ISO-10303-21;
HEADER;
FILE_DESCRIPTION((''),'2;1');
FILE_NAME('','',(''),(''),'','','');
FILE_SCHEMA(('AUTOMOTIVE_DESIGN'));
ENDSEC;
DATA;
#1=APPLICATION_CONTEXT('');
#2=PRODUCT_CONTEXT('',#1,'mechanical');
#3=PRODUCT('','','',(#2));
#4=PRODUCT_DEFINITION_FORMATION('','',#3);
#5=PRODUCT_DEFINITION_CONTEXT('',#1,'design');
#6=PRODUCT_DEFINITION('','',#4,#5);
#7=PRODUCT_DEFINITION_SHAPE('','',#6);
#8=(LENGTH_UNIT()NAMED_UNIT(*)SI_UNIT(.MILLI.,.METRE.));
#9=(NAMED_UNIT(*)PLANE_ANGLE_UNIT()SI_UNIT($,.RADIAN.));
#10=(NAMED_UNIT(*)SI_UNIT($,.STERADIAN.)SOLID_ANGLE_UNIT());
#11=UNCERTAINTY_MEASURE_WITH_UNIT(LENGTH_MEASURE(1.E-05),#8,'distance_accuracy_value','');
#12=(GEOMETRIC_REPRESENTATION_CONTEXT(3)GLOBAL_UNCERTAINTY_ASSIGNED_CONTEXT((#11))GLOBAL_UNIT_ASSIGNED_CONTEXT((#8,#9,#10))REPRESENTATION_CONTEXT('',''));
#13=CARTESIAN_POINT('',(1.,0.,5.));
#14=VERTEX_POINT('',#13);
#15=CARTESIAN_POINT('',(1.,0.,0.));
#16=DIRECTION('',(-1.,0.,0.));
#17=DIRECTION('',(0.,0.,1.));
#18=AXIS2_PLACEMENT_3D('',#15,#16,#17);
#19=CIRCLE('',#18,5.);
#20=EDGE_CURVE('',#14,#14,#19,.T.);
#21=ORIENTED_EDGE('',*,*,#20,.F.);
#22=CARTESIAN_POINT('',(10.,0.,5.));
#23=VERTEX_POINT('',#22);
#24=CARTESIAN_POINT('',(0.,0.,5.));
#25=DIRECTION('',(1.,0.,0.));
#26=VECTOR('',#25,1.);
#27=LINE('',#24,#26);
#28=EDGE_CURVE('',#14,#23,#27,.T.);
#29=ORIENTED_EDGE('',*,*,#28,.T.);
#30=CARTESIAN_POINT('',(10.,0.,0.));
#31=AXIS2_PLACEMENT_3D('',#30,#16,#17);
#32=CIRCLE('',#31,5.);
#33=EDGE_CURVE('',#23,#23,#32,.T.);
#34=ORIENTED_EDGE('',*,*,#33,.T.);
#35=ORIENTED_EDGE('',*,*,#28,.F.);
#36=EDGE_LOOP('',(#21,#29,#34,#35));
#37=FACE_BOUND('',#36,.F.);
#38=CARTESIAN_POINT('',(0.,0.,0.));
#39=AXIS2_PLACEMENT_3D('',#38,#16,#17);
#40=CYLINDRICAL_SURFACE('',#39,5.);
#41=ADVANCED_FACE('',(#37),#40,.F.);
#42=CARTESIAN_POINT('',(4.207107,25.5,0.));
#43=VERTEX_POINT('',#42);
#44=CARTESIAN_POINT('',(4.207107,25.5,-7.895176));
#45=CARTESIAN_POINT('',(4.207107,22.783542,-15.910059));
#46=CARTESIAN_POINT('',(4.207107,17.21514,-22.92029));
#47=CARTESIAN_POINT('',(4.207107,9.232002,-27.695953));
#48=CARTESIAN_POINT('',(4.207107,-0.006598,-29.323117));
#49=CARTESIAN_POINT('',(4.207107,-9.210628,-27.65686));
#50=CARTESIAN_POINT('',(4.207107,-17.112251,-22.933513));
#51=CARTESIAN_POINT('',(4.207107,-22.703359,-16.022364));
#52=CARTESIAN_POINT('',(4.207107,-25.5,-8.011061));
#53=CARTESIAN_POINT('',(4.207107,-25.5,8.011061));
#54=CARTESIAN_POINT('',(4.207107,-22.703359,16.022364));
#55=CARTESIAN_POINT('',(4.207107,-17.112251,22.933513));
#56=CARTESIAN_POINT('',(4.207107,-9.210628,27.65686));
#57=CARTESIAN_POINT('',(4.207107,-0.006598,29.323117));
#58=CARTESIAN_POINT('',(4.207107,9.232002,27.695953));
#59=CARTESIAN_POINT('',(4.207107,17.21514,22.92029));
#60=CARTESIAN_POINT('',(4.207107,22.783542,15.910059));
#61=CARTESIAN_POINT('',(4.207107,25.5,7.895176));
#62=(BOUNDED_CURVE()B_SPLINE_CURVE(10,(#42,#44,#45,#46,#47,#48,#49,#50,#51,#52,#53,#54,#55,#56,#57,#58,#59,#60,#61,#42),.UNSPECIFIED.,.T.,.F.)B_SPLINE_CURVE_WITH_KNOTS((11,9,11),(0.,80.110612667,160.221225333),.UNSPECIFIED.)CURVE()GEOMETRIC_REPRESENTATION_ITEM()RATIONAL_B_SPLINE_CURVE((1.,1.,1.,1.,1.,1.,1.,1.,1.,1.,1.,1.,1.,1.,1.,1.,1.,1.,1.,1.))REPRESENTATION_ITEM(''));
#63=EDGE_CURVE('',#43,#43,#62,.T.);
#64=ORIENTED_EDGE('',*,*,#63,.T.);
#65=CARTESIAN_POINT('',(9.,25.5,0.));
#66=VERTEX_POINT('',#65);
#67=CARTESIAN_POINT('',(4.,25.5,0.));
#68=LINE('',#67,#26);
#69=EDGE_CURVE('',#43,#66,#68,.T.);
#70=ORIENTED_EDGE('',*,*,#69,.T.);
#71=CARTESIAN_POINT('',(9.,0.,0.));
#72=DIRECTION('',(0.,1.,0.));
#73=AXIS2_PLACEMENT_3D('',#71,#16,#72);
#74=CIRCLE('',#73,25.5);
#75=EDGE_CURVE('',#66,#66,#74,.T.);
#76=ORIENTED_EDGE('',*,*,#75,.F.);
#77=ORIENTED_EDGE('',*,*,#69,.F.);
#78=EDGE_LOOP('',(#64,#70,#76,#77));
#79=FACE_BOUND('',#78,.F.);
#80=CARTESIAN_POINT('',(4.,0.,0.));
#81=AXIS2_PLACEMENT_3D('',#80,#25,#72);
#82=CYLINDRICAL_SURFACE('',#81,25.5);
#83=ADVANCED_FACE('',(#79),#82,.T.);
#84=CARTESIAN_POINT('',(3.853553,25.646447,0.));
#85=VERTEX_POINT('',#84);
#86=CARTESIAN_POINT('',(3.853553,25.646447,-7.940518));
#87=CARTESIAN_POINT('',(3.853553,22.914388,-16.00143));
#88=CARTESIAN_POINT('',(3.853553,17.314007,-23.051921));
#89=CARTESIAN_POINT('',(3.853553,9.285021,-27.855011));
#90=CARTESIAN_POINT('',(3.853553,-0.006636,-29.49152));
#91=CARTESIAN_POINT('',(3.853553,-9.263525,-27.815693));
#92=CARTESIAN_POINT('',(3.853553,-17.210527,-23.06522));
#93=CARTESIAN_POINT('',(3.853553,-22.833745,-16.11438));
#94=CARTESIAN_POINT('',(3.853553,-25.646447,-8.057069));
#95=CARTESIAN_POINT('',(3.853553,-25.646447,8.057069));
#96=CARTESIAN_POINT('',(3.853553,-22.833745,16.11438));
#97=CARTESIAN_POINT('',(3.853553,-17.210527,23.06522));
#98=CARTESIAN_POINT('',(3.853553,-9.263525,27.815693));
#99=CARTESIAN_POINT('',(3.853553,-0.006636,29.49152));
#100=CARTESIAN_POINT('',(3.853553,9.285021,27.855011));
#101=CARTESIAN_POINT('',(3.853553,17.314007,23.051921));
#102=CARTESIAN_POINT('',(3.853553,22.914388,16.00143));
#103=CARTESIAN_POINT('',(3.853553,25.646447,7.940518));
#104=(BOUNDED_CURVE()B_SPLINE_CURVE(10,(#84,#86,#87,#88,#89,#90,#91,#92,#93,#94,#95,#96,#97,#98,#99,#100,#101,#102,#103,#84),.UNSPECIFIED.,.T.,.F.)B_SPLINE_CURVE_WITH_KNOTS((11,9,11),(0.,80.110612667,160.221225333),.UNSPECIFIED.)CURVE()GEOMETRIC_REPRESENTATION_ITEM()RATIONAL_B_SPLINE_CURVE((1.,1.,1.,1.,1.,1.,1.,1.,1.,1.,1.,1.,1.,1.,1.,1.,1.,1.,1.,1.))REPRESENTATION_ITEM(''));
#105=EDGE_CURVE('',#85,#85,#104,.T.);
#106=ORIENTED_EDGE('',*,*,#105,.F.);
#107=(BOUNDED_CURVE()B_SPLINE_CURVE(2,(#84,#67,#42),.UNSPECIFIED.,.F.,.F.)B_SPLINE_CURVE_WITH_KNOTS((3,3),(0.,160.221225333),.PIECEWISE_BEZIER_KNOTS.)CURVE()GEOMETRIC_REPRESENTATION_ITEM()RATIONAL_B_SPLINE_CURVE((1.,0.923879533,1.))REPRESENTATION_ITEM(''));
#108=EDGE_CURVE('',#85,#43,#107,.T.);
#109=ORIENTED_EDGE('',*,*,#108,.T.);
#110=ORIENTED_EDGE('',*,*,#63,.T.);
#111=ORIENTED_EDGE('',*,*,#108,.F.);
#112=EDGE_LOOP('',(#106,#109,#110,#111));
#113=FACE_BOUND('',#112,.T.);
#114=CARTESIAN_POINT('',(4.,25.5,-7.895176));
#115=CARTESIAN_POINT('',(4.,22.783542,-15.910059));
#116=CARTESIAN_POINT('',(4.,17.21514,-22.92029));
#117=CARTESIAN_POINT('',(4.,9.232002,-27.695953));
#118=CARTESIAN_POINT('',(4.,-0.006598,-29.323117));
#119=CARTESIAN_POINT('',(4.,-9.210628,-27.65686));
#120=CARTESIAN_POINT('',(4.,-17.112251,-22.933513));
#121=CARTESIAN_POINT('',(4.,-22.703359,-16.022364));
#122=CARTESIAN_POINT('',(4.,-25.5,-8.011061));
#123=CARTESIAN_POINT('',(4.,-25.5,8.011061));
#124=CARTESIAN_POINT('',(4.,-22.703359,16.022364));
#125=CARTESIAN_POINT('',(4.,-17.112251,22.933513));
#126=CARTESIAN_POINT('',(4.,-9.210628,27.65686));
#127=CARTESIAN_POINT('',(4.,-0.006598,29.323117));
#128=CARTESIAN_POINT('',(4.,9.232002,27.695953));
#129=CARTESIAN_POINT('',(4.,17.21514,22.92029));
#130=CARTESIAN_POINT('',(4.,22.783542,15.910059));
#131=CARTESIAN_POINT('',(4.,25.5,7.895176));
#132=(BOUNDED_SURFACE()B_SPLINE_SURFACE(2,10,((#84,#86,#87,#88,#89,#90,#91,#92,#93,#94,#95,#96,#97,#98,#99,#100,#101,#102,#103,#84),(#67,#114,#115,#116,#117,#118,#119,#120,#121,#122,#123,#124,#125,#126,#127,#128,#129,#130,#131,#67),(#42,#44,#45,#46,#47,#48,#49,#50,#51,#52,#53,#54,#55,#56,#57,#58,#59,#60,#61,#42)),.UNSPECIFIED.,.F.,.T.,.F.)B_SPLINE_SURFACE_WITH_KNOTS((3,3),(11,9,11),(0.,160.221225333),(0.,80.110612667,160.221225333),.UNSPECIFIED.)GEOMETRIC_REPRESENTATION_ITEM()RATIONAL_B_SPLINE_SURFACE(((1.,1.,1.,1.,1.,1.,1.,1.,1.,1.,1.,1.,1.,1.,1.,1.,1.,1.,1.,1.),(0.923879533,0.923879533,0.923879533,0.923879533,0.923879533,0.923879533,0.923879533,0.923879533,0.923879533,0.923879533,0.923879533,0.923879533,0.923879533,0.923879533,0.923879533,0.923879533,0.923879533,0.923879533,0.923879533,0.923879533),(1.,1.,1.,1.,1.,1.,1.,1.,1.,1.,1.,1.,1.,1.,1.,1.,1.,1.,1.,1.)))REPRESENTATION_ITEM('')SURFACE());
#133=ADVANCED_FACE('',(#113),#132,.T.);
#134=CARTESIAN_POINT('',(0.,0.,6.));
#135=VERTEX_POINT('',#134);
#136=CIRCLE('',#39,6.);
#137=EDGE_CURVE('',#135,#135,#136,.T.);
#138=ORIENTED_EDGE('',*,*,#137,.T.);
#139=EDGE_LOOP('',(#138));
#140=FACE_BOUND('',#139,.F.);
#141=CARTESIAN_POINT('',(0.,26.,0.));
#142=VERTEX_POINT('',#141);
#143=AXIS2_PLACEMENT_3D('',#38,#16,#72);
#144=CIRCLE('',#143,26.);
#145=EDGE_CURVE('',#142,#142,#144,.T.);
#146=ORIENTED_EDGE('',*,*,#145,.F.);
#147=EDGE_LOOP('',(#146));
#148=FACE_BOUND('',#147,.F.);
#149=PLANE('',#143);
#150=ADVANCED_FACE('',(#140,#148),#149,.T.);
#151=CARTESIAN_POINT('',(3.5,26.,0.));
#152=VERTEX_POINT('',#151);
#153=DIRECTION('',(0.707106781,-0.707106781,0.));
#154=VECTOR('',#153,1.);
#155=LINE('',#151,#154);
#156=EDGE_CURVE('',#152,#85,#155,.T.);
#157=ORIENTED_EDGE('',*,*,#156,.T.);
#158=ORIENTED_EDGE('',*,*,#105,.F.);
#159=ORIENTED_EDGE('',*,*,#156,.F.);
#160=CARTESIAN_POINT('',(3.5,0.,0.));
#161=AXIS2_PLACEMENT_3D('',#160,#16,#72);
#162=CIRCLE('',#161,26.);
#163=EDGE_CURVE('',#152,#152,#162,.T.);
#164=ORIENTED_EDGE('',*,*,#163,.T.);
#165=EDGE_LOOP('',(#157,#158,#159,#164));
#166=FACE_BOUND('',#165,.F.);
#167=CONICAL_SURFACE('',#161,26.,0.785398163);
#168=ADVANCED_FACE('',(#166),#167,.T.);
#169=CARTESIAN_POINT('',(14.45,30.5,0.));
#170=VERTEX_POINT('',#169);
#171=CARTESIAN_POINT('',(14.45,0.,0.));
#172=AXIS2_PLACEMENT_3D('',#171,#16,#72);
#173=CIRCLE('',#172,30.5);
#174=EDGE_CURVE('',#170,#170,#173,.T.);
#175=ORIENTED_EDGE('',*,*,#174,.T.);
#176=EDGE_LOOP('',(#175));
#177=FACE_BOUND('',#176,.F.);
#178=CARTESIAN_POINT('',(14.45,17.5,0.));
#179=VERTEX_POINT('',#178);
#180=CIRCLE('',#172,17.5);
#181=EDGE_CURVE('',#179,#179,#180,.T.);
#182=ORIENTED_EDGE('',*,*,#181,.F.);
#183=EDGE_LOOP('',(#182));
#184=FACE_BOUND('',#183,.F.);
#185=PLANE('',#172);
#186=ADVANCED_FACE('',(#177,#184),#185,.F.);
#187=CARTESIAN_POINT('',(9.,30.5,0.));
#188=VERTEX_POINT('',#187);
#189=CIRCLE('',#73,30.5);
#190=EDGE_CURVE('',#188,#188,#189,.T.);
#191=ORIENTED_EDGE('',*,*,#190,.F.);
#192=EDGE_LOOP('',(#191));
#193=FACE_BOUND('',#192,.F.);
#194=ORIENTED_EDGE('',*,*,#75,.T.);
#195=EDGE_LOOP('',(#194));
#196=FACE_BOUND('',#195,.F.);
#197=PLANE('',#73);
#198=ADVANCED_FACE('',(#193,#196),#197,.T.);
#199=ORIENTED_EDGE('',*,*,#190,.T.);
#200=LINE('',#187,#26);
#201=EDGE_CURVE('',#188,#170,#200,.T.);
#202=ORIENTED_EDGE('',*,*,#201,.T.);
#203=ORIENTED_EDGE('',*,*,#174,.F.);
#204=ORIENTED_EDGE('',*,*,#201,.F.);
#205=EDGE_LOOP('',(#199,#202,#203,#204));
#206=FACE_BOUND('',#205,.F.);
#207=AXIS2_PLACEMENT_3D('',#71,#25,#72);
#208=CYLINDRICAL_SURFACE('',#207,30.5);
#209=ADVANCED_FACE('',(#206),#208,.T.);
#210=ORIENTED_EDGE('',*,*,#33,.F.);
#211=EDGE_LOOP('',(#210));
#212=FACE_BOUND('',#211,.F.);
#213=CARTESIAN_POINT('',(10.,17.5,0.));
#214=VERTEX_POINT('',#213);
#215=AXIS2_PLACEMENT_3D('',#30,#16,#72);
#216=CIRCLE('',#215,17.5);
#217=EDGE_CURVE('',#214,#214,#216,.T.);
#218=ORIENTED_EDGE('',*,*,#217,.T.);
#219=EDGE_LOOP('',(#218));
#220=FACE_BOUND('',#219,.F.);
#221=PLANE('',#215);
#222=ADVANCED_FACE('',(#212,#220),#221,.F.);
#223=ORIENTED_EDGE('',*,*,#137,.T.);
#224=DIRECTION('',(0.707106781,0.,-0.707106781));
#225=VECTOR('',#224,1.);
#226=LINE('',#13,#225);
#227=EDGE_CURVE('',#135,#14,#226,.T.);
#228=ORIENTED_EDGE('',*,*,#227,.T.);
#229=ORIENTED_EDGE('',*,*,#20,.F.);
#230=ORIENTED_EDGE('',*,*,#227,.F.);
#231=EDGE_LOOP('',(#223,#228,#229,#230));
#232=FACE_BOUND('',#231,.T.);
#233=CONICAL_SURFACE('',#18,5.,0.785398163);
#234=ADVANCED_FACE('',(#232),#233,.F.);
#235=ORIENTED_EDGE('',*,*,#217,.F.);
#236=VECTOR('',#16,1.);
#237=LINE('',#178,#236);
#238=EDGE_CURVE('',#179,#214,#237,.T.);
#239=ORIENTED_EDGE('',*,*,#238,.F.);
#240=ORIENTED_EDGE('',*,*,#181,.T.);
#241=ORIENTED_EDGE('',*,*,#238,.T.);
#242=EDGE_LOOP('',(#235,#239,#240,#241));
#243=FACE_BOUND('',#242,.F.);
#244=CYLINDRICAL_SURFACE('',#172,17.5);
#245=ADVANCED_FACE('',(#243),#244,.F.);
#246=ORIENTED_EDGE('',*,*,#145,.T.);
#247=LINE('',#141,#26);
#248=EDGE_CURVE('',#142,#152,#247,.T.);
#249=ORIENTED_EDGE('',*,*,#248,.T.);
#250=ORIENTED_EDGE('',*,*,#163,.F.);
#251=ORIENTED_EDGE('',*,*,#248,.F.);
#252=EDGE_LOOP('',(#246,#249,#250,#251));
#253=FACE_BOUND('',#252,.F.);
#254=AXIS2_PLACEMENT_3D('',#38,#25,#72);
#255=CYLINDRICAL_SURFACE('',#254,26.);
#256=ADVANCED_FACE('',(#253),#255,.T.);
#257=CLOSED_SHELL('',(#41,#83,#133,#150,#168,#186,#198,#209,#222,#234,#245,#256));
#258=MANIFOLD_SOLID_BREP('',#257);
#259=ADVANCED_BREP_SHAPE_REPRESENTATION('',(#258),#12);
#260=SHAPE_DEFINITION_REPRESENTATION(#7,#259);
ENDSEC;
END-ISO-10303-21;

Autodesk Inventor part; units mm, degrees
ref_plane "YZ Plane" through (0, 0, 0) normal (1, 0, 0) x (0, 1, 0)
ref_plane "XZ Plane" through (0, 0, 0) normal (0, 1, 0) x (-1, 0, 0)
ref_plane "XY Plane" through (0, 0, 0) normal (0, 0, 1) x (1, 0, 0)
sketch "Эскиз1" plane through (0, 0, 0) normal (0, 0, 1) x (1, 0, 0)
  line L0 (0, 0) -> (0, 26)
  line L1 (9, 26.1456) -> (9, 30.5)
  line L2 (9, 30.5) -> (14.45, 30.5)
  line L3 (14.45, 30.5) -> (14.45, 17.5)
  line L4 (14.45, 17.5) -> (10, 17.5)
  line L5 (10, 17.5) -> (10, 0)
  line L6 (10, 0) -> (0, 0)
  line L7 (0, 26) -> (3.5, 26)
  line L8 (3.5, 26) -> (4, 25.5)
  line L9 (4, 25.5) -> (9, 25.5)
  line L10 (9, 25.5) -> (9, 26.1456)
  dimension "d1" = 52
  dimension "d2" = 0.5
  dimension "d3" = 45
  dimension "d4" = 5
  dimension "d5" = 14.45
  dimension "d6" = 10
  dimension "d7" = 35
  dimension "d8" = 4.5
  dimension "d23" = 9
revolve "Вращение1" add sketch "Эскиз1" angle 360 about axis through (10, 0, 0) along (-1, 0, 0)
sketch "Эскиз2" plane through (0, 0, 0) normal (-1, 0, 0) x (0, 0, 1)
  circle A0 centre (0, 0) radius 26 projected
  circle A1 centre (0, 0) radius 10
  circle A2 centre (0, 0) radius 5
  point P0 (0, 0)
  dimension "d10" = 20
  dimension "d11" = 10
extrude "Выдавливание1" cut sketch "Эскиз2" against normal through all contours A2
fillet "Сопряжение2" radius 0.5 1 edges at (4, -25.5, 0)
chamfer "Фаска2" distance 1 angle 45 1 edges at (0, 0, -5)
thread "Резьба3" size "M10x0.5" class "6H" standard "ANSI Metric M Profile" length 10
properties part number "Крышка_пром_новая"
